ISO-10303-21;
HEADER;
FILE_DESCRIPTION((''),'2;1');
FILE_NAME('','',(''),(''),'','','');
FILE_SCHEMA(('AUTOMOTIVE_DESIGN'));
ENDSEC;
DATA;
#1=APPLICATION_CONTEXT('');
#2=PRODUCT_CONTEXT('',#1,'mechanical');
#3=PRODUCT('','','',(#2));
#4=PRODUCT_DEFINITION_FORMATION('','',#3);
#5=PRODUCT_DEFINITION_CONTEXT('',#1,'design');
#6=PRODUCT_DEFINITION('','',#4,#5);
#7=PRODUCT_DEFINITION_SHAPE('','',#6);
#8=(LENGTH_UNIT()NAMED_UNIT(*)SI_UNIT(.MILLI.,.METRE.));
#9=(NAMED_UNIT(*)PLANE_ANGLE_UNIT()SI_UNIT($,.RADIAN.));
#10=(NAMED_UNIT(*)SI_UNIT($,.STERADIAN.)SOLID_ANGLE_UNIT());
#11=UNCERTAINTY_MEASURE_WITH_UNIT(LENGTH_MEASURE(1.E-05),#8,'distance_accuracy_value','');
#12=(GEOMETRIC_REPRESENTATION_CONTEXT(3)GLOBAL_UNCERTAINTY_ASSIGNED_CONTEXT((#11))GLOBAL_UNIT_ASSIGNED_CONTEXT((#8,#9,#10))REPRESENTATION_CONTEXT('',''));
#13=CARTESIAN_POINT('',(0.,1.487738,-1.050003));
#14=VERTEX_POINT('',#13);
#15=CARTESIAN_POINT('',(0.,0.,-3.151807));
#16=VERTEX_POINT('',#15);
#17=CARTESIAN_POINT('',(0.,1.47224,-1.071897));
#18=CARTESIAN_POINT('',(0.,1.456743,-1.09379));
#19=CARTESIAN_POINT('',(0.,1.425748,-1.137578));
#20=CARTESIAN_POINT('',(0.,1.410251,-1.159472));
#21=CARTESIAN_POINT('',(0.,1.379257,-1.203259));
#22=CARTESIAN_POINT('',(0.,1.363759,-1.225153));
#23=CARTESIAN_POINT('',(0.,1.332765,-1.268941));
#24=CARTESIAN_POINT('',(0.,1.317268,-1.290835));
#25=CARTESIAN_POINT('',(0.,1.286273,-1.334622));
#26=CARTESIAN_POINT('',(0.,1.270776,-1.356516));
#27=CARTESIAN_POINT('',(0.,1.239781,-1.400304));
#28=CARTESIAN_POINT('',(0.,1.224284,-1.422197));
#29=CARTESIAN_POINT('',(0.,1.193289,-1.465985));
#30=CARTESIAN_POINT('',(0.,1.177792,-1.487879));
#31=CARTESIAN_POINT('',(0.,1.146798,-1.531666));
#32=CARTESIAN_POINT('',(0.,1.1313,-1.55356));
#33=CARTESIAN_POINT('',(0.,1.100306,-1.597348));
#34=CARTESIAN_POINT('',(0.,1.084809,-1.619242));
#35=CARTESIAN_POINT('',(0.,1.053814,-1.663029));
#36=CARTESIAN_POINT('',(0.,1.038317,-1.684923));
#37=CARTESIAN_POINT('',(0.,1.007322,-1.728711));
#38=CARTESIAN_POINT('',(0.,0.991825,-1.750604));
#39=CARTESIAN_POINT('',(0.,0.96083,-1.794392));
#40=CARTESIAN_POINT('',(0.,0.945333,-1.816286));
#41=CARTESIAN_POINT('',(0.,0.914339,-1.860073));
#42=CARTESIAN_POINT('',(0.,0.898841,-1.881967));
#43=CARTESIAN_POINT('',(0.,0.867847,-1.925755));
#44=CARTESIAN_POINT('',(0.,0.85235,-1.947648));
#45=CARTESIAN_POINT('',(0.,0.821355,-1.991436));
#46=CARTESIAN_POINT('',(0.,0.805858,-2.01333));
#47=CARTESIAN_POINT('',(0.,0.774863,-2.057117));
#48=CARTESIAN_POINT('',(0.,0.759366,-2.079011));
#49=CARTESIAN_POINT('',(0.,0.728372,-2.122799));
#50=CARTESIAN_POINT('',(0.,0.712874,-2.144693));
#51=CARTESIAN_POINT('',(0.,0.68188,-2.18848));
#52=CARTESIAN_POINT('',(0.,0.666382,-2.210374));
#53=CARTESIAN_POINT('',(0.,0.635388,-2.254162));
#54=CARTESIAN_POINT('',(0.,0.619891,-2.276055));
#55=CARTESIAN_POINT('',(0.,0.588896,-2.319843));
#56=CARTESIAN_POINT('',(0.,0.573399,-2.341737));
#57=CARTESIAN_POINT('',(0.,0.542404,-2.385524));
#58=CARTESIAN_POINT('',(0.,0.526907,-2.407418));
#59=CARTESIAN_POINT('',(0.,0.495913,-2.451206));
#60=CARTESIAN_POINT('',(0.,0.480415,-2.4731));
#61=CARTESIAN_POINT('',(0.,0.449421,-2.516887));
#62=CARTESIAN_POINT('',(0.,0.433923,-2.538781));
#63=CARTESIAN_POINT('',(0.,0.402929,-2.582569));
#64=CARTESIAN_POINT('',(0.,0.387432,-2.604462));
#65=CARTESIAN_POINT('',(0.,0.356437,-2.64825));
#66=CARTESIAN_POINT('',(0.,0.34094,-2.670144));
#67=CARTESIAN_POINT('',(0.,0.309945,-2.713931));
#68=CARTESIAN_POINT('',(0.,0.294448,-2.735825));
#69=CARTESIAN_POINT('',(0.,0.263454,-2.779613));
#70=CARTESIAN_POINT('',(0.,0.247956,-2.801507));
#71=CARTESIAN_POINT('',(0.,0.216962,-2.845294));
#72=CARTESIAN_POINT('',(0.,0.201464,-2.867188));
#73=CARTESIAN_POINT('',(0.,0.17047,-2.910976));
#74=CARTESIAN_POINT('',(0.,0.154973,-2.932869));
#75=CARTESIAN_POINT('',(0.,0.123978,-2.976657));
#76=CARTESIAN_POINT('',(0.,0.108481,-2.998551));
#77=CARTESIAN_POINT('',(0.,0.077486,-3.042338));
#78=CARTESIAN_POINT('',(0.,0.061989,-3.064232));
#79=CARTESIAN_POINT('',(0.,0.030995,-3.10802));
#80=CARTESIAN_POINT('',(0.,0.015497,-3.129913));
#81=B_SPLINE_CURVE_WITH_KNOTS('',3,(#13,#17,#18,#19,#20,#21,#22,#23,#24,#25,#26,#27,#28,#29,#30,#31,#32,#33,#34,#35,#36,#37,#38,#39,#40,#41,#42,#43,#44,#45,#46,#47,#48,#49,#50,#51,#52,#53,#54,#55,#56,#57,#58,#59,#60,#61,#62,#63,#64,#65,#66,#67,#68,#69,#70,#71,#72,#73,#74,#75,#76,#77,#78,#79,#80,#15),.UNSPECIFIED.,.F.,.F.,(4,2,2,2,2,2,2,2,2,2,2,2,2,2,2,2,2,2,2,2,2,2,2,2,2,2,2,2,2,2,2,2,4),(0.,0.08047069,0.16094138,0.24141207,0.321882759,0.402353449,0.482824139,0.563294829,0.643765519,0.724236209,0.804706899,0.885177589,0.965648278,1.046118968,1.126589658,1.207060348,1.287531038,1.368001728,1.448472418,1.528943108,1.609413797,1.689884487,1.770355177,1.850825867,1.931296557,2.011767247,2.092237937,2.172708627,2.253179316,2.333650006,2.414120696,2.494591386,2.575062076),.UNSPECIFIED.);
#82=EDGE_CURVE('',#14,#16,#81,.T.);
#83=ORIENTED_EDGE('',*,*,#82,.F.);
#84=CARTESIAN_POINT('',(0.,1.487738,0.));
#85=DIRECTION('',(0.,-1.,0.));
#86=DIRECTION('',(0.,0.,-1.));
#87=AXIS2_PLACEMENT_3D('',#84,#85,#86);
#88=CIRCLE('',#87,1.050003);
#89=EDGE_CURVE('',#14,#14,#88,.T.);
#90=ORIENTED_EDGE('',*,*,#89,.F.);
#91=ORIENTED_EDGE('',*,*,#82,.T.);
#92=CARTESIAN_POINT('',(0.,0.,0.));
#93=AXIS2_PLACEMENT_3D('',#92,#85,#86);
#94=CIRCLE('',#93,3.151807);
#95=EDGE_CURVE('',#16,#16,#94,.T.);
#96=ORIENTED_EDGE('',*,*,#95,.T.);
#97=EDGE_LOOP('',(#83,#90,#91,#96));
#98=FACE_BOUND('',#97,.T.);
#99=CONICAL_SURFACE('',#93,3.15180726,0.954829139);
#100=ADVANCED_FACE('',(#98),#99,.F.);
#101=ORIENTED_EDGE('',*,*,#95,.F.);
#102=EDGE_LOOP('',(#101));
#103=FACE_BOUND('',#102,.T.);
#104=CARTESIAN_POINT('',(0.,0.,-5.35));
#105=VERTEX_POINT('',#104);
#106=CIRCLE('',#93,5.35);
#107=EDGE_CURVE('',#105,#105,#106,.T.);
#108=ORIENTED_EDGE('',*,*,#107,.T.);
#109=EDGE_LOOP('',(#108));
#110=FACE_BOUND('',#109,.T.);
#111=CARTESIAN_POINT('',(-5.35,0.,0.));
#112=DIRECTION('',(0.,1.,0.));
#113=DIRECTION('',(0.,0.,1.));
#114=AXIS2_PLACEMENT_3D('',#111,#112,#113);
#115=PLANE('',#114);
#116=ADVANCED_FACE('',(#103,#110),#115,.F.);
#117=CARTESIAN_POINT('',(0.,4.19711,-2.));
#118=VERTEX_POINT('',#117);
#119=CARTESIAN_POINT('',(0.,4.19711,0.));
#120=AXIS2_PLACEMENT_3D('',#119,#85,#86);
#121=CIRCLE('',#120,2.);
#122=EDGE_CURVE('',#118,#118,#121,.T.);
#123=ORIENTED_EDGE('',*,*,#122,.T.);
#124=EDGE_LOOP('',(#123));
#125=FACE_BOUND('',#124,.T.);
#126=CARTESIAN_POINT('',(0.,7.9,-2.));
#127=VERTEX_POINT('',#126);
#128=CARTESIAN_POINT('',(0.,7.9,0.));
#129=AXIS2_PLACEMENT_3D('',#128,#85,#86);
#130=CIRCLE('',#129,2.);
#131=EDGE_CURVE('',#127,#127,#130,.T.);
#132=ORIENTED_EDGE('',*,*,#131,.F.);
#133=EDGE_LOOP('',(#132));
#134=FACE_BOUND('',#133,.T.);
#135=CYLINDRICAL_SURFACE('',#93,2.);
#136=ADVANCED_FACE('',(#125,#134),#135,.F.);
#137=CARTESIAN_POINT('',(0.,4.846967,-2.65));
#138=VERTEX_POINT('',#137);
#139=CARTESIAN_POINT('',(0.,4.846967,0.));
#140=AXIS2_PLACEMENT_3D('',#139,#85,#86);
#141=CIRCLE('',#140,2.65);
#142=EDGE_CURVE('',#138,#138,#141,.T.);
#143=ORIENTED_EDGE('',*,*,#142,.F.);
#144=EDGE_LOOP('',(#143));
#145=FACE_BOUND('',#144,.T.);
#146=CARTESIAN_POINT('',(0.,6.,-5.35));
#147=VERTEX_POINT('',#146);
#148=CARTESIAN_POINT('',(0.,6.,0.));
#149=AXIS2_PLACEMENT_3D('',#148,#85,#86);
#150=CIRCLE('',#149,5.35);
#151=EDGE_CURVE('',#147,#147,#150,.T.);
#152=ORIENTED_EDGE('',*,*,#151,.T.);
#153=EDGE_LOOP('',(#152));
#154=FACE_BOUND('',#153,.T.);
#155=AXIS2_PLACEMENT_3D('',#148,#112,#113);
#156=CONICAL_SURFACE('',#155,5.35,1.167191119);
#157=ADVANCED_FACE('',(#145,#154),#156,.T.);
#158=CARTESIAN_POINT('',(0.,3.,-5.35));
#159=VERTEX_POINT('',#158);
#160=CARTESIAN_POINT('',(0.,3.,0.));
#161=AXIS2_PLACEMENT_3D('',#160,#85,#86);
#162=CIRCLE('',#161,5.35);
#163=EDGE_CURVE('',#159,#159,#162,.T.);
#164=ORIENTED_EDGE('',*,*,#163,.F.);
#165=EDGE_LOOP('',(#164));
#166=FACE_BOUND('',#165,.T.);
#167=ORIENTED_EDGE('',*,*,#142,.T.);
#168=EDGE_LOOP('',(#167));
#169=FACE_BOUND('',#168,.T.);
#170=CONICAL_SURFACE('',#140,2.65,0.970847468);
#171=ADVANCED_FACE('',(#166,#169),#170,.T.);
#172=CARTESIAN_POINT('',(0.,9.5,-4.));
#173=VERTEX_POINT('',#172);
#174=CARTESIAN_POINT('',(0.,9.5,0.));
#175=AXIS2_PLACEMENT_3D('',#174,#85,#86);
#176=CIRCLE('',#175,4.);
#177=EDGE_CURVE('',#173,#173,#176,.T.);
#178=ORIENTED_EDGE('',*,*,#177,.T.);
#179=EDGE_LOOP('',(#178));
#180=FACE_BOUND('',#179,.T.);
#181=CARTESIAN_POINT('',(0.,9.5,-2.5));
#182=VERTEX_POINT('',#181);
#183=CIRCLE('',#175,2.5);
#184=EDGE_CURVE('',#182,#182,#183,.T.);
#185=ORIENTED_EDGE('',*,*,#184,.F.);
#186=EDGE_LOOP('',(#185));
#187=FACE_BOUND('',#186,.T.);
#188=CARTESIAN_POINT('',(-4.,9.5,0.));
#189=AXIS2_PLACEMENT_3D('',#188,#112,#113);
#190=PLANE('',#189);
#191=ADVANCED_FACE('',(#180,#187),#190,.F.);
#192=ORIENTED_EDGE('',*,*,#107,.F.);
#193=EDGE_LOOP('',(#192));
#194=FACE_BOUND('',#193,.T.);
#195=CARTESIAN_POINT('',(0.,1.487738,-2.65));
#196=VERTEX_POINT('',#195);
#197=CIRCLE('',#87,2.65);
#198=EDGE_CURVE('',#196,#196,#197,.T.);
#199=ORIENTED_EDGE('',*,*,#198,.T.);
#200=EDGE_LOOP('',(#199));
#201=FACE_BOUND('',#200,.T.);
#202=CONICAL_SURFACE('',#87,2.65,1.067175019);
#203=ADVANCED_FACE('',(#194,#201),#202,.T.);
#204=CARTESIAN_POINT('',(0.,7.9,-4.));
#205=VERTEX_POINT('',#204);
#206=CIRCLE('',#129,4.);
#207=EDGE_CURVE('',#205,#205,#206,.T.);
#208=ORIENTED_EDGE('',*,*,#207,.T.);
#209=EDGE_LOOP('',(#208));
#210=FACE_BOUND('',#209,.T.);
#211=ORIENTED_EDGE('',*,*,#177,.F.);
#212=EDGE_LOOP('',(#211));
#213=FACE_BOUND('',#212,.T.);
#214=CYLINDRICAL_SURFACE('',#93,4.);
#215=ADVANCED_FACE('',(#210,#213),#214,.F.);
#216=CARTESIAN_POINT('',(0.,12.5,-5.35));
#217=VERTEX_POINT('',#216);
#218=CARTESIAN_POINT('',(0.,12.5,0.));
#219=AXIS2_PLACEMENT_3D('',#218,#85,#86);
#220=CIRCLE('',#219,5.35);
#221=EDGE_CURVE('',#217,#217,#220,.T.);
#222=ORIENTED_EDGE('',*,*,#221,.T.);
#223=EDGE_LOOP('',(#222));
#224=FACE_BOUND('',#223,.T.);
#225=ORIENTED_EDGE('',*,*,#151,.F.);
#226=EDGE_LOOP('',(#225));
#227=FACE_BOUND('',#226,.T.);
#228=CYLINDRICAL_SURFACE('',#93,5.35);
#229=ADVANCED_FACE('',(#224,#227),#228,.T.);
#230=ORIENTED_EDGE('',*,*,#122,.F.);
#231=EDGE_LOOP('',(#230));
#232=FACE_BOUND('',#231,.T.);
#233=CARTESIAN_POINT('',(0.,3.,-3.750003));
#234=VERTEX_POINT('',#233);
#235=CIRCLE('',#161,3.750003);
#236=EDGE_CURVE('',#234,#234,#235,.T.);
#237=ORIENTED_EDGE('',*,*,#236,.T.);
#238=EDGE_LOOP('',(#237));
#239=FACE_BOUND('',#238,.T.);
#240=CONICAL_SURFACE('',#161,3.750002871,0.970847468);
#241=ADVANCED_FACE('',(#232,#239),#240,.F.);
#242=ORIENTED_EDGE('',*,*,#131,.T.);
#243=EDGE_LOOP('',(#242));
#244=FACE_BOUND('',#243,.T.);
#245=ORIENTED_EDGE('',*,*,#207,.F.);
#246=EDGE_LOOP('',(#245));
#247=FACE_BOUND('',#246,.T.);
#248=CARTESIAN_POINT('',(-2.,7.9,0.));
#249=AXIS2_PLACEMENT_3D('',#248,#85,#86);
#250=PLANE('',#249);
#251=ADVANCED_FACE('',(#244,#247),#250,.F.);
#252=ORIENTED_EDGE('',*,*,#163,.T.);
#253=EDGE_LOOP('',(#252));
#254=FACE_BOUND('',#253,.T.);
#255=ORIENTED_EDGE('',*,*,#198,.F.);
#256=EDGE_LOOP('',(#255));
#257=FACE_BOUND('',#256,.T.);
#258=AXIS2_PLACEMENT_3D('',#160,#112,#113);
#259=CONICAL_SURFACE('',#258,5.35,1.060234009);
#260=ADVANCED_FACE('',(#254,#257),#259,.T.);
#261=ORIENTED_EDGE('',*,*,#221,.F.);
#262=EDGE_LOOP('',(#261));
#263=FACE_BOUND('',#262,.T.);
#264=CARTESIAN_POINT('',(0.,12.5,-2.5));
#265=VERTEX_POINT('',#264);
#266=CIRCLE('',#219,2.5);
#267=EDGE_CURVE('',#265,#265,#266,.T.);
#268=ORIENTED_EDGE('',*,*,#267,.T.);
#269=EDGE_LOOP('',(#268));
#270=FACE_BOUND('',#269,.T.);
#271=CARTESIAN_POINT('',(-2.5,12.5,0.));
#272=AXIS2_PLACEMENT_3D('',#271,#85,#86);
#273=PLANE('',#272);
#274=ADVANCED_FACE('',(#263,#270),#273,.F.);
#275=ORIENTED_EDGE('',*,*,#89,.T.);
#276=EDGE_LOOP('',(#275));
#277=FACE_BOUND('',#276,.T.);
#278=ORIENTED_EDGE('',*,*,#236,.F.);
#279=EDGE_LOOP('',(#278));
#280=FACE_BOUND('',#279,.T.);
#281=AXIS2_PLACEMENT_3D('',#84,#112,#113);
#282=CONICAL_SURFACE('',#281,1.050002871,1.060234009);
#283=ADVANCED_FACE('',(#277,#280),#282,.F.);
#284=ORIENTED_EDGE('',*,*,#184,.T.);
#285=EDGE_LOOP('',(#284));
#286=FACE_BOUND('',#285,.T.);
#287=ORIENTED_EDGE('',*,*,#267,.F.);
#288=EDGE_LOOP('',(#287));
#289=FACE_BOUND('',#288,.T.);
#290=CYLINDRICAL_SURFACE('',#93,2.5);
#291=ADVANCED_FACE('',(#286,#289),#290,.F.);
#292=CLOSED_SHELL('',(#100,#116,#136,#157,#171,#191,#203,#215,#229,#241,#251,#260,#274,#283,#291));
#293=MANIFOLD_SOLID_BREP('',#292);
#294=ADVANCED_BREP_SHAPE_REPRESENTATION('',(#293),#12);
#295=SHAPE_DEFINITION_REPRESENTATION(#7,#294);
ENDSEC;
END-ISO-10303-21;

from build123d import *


with BuildPart() as part:
    # Esquisse1 → Révolution1 (revolve)
    with BuildSketch(Plane.XY, mode=Mode.PRIVATE) as r_volution1_sk:
        Polygon((-2.5, 12.5), (-5.35, 12.5), (-5.35, 6), (-2.65, 4.846966679), (-5.35, 3), (-2.65, 1.487737546), (-5.35, 0), (-3.15180726, 0), (-1.050002871, 1.487737546), (-3.750002871, 3), (-2, 4.197109997), (-2, 7.9), (-4, 7.9), (-4, 9.5), (-2.5, 9.5), align=None)
    revolve(r_volution1_sk.sketch.rotate(Axis((0, 0, 0), (0, 1, 0)), 270), axis=Axis((0, 0, 0), (0, 1, 0)))


solid = part.part
